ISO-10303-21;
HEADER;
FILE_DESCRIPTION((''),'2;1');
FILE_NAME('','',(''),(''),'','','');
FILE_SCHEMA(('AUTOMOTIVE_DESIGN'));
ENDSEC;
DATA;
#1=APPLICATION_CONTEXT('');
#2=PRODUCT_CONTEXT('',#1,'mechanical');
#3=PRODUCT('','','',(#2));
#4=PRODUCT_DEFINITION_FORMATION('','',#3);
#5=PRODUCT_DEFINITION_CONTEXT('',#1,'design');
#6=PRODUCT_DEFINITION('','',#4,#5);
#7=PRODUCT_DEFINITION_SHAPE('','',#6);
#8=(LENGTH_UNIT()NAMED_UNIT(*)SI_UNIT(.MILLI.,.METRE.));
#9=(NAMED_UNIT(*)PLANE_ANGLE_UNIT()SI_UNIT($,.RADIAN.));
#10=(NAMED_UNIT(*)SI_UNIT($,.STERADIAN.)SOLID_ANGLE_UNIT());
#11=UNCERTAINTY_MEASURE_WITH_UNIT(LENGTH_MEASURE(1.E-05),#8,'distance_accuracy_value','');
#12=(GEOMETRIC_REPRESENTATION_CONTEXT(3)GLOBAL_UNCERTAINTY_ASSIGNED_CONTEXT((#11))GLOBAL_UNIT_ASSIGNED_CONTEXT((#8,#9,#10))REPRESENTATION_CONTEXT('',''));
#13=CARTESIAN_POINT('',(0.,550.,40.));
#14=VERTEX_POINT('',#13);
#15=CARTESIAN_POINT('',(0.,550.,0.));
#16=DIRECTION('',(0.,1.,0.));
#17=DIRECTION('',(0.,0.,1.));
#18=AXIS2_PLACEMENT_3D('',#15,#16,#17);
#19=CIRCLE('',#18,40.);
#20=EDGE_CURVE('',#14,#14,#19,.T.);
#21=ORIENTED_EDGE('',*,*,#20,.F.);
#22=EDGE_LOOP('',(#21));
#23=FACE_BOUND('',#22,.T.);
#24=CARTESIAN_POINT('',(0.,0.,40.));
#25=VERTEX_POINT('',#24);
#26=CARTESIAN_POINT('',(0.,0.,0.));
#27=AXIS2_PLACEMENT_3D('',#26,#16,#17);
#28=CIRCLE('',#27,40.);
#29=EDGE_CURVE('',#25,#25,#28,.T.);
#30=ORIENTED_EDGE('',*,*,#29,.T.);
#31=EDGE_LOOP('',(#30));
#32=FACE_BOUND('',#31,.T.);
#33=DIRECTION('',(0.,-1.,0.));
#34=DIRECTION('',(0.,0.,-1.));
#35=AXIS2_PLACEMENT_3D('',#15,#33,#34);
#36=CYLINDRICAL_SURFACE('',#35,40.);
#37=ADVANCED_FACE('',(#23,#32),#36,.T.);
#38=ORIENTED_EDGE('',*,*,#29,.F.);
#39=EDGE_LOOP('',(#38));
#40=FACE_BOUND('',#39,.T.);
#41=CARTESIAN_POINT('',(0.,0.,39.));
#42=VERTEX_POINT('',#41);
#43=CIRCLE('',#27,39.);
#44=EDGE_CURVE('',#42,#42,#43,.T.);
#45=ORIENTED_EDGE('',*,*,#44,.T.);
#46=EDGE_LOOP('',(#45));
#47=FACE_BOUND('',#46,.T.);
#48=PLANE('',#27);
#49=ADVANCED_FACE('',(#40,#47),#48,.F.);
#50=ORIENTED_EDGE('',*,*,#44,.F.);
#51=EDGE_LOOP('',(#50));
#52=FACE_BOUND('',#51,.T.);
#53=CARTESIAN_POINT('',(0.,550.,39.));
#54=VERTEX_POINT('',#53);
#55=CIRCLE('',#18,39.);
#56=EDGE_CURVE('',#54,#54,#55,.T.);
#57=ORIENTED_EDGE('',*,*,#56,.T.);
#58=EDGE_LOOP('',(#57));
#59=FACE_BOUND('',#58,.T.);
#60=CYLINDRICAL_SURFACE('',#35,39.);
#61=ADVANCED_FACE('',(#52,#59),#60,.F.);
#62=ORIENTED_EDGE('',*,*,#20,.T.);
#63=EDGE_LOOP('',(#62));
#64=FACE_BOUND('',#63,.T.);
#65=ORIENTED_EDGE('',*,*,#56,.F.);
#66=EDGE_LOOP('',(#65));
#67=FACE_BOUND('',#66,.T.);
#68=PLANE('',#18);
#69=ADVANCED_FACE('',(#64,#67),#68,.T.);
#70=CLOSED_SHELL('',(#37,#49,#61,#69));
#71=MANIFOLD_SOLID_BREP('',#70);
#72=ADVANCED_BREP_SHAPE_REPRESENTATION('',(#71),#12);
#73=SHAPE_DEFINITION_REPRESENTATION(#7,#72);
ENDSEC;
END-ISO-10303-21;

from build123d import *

# Parameters (mm, degrees)
SKETCH2_R   = 40
SKETCH2_R_2 = 39
BODY_DEPTH  = 550


with BuildPart() as part:
    # Sketch2 → body (new body)
    with BuildSketch(Plane(origin=(0, 0, 0), x_dir=(1, 0, 0), z_dir=(0, 1, 0))):
        with Locations(Location((0, 0, 0), (0, 0, 270))):
            Circle(SKETCH2_R)
        with Locations(Location((0, 0, 0), (0, 0, 270))):
            Circle(SKETCH2_R_2, mode=Mode.SUBTRACT)
    extrude(amount=BODY_DEPTH)


solid = part.part
